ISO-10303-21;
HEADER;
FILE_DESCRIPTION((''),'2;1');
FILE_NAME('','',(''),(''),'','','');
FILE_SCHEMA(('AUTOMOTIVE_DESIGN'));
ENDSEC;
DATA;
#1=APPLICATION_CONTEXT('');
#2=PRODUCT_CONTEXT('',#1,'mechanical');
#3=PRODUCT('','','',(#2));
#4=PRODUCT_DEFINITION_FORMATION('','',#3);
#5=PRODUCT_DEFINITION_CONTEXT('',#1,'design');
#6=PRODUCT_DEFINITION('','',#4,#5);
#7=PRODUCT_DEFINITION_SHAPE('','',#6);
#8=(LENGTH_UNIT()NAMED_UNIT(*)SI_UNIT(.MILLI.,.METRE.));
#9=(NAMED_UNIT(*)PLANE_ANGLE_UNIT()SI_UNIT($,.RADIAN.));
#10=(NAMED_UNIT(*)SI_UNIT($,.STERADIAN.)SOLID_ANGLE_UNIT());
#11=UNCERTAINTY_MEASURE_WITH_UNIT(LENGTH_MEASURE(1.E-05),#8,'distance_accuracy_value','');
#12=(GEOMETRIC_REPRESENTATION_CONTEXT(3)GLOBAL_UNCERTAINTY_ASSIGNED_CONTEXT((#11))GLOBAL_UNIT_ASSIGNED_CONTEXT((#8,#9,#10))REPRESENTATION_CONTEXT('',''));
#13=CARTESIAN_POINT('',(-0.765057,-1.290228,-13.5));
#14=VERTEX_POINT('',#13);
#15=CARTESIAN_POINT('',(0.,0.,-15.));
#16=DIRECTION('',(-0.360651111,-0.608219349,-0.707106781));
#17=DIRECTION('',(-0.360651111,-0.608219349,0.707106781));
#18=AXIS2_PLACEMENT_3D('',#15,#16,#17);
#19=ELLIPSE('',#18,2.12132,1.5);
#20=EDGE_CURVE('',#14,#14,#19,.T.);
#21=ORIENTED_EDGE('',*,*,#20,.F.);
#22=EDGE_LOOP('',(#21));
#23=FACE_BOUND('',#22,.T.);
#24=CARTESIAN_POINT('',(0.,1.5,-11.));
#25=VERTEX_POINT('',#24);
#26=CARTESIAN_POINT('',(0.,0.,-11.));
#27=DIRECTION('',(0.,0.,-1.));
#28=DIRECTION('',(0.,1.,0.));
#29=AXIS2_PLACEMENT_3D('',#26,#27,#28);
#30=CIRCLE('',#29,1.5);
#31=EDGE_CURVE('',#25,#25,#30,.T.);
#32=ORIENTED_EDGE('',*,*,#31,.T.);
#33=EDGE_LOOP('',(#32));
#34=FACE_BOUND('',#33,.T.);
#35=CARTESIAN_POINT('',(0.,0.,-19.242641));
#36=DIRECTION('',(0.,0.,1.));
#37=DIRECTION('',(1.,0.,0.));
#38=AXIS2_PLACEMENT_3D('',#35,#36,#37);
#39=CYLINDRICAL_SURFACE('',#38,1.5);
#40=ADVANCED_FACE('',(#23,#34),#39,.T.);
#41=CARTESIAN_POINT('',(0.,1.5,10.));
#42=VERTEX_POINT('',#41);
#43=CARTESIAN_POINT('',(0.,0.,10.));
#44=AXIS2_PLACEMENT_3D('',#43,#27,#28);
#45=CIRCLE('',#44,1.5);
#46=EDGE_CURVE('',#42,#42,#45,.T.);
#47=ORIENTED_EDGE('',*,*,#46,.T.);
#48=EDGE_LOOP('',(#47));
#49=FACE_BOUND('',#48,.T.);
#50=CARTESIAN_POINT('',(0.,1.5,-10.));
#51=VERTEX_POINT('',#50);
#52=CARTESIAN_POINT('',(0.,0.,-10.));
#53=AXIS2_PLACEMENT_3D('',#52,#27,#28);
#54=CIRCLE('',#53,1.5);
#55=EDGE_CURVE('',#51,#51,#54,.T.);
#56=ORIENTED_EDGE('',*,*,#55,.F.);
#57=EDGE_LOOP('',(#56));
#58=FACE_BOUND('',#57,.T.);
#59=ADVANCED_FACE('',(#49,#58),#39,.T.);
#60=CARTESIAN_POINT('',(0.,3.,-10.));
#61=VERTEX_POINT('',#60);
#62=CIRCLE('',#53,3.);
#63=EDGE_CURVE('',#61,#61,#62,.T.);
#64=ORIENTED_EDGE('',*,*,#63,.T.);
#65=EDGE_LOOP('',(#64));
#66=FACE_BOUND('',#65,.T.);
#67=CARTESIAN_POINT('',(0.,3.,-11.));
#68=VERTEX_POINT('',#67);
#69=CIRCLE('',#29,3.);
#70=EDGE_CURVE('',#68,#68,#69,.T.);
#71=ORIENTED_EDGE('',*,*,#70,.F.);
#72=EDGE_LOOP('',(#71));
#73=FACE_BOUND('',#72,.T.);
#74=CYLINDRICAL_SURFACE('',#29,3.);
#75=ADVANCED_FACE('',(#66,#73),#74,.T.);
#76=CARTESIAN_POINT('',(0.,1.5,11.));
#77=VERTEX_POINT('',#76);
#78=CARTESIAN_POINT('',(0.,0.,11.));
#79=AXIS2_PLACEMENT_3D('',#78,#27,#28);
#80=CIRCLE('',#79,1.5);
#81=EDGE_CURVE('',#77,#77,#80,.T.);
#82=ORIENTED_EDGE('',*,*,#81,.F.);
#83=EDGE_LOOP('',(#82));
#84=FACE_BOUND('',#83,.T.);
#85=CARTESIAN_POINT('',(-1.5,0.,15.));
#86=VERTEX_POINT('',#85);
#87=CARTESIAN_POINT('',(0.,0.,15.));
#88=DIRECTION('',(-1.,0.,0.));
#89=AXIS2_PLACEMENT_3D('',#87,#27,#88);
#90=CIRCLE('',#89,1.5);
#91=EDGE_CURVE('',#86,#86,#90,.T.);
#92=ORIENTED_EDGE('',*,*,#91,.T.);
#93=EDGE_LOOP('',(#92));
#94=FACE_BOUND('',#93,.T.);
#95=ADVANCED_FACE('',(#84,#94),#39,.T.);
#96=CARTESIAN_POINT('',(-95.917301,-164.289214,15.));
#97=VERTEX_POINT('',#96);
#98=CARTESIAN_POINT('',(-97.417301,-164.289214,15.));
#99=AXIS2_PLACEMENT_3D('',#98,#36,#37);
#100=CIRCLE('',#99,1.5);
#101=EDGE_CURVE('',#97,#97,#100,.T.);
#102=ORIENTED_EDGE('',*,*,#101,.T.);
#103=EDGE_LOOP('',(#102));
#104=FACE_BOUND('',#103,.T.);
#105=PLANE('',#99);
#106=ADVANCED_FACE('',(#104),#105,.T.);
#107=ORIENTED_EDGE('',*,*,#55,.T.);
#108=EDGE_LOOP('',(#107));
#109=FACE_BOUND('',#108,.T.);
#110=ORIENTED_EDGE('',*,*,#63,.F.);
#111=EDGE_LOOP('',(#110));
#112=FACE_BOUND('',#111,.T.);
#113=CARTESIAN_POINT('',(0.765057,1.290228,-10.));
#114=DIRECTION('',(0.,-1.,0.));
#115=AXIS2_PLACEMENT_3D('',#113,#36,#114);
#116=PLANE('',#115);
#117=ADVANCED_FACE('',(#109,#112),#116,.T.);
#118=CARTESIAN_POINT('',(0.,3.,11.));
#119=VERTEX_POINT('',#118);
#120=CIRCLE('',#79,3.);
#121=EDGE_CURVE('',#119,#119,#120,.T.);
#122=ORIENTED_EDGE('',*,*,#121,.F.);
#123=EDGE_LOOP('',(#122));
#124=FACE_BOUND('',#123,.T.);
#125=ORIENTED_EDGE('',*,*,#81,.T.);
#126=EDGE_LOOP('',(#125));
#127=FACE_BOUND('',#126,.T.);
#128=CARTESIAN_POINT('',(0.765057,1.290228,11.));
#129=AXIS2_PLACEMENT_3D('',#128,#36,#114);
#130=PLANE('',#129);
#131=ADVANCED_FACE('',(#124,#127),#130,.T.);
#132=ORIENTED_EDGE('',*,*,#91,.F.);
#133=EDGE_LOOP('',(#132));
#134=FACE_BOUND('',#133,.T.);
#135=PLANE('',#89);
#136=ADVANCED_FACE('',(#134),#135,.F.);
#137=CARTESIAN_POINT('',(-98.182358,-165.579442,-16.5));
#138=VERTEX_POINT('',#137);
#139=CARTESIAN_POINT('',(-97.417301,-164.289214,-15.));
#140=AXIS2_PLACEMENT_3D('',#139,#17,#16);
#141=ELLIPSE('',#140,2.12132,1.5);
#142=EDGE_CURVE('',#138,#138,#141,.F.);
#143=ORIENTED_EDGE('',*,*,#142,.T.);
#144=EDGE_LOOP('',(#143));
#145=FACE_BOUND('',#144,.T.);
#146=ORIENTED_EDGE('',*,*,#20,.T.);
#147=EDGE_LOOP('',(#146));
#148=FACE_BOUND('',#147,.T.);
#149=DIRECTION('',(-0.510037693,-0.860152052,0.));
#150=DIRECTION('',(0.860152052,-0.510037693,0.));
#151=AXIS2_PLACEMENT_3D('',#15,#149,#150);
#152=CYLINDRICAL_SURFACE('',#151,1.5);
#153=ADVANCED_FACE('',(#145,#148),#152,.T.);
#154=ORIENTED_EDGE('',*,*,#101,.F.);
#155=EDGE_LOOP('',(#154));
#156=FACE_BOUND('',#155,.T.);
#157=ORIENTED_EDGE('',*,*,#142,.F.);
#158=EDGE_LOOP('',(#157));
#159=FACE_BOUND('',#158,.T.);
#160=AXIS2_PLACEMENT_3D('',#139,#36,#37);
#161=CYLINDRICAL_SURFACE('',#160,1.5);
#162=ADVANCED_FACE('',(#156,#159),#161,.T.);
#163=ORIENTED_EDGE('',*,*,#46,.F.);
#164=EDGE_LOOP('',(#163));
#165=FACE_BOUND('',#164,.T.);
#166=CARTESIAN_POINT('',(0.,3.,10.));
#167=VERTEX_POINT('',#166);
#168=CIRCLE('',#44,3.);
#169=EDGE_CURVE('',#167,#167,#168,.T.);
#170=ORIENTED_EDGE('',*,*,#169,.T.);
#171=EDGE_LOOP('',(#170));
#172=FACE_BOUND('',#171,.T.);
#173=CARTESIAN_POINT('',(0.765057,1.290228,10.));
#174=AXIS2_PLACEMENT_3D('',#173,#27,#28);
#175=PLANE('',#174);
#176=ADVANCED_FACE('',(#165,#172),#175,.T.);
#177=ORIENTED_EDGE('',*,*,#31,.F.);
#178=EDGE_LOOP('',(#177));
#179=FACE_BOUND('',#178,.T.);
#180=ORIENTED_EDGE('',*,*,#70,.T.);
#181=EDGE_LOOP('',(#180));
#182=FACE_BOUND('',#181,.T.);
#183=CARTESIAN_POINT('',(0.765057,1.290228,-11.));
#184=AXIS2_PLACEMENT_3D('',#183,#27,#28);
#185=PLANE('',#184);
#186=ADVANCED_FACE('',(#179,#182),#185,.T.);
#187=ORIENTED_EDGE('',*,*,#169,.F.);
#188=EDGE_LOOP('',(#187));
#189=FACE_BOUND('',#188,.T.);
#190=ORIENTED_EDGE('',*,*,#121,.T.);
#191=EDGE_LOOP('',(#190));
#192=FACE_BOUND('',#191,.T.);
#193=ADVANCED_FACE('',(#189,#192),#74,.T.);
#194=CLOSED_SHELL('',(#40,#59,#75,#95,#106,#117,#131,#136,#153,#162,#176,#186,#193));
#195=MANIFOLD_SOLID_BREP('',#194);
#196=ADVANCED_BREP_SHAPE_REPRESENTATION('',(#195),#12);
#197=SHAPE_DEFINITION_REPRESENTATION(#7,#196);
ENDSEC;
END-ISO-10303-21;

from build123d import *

# Parameters (mm, degrees)
ESQUISSE4_R = 1.5
ESQUISSE5_W = 1.5
ESQUISSE5_H = 1


with BuildPart() as part:
    # Balayage1: sweep along a path in Esquisse3
    with BuildLine(Plane(origin=(0, 0, 0), x_dir=(-0.5100376925115994, -0.8601520518009844, 0), z_dir=(0.8601520518009843, -0.5100376925115992, 0))) as balayage1_path:
        Line((0, -15), (0, 15))
        Line((0, 15), (191.00019974, 15))
        Line((191.00019974, 15), (191.00019974, -15))
    # Esquisse4 → Balayage1 (sweep)
    with BuildSketch(Plane(origin=(0, 0, 15), x_dir=(-1, 0, 0), z_dir=(0, 0, -1))):
        Circle(ESQUISSE4_R)
    sweep(path=balayage1_path.line, transition=Transition.RIGHT)

    # Esquisse5 → Révolution1 (revolve)
    with BuildSketch(Plane(origin=(0, 0, 0), x_dir=(-0.5100376925115994, -0.8601520518009844, 0), z_dir=(0.8601520518009843, -0.5100376925115992, 0)), mode=Mode.PRIVATE) as r_volution1_sk:
        with Locations((-2.25, -10.5)):
            Rectangle(ESQUISSE5_W, ESQUISSE5_H)
        with Locations((-2.25, 10.5)):
            Rectangle(ESQUISSE5_W, ESQUISSE5_H)
    revolve(r_volution1_sk.sketch.rotate(Axis((0, 0, -11), (0, 0, 1)), 30.666340454), axis=Axis((0, 0, -11), (0, 0, 1)))


solid = part.part
